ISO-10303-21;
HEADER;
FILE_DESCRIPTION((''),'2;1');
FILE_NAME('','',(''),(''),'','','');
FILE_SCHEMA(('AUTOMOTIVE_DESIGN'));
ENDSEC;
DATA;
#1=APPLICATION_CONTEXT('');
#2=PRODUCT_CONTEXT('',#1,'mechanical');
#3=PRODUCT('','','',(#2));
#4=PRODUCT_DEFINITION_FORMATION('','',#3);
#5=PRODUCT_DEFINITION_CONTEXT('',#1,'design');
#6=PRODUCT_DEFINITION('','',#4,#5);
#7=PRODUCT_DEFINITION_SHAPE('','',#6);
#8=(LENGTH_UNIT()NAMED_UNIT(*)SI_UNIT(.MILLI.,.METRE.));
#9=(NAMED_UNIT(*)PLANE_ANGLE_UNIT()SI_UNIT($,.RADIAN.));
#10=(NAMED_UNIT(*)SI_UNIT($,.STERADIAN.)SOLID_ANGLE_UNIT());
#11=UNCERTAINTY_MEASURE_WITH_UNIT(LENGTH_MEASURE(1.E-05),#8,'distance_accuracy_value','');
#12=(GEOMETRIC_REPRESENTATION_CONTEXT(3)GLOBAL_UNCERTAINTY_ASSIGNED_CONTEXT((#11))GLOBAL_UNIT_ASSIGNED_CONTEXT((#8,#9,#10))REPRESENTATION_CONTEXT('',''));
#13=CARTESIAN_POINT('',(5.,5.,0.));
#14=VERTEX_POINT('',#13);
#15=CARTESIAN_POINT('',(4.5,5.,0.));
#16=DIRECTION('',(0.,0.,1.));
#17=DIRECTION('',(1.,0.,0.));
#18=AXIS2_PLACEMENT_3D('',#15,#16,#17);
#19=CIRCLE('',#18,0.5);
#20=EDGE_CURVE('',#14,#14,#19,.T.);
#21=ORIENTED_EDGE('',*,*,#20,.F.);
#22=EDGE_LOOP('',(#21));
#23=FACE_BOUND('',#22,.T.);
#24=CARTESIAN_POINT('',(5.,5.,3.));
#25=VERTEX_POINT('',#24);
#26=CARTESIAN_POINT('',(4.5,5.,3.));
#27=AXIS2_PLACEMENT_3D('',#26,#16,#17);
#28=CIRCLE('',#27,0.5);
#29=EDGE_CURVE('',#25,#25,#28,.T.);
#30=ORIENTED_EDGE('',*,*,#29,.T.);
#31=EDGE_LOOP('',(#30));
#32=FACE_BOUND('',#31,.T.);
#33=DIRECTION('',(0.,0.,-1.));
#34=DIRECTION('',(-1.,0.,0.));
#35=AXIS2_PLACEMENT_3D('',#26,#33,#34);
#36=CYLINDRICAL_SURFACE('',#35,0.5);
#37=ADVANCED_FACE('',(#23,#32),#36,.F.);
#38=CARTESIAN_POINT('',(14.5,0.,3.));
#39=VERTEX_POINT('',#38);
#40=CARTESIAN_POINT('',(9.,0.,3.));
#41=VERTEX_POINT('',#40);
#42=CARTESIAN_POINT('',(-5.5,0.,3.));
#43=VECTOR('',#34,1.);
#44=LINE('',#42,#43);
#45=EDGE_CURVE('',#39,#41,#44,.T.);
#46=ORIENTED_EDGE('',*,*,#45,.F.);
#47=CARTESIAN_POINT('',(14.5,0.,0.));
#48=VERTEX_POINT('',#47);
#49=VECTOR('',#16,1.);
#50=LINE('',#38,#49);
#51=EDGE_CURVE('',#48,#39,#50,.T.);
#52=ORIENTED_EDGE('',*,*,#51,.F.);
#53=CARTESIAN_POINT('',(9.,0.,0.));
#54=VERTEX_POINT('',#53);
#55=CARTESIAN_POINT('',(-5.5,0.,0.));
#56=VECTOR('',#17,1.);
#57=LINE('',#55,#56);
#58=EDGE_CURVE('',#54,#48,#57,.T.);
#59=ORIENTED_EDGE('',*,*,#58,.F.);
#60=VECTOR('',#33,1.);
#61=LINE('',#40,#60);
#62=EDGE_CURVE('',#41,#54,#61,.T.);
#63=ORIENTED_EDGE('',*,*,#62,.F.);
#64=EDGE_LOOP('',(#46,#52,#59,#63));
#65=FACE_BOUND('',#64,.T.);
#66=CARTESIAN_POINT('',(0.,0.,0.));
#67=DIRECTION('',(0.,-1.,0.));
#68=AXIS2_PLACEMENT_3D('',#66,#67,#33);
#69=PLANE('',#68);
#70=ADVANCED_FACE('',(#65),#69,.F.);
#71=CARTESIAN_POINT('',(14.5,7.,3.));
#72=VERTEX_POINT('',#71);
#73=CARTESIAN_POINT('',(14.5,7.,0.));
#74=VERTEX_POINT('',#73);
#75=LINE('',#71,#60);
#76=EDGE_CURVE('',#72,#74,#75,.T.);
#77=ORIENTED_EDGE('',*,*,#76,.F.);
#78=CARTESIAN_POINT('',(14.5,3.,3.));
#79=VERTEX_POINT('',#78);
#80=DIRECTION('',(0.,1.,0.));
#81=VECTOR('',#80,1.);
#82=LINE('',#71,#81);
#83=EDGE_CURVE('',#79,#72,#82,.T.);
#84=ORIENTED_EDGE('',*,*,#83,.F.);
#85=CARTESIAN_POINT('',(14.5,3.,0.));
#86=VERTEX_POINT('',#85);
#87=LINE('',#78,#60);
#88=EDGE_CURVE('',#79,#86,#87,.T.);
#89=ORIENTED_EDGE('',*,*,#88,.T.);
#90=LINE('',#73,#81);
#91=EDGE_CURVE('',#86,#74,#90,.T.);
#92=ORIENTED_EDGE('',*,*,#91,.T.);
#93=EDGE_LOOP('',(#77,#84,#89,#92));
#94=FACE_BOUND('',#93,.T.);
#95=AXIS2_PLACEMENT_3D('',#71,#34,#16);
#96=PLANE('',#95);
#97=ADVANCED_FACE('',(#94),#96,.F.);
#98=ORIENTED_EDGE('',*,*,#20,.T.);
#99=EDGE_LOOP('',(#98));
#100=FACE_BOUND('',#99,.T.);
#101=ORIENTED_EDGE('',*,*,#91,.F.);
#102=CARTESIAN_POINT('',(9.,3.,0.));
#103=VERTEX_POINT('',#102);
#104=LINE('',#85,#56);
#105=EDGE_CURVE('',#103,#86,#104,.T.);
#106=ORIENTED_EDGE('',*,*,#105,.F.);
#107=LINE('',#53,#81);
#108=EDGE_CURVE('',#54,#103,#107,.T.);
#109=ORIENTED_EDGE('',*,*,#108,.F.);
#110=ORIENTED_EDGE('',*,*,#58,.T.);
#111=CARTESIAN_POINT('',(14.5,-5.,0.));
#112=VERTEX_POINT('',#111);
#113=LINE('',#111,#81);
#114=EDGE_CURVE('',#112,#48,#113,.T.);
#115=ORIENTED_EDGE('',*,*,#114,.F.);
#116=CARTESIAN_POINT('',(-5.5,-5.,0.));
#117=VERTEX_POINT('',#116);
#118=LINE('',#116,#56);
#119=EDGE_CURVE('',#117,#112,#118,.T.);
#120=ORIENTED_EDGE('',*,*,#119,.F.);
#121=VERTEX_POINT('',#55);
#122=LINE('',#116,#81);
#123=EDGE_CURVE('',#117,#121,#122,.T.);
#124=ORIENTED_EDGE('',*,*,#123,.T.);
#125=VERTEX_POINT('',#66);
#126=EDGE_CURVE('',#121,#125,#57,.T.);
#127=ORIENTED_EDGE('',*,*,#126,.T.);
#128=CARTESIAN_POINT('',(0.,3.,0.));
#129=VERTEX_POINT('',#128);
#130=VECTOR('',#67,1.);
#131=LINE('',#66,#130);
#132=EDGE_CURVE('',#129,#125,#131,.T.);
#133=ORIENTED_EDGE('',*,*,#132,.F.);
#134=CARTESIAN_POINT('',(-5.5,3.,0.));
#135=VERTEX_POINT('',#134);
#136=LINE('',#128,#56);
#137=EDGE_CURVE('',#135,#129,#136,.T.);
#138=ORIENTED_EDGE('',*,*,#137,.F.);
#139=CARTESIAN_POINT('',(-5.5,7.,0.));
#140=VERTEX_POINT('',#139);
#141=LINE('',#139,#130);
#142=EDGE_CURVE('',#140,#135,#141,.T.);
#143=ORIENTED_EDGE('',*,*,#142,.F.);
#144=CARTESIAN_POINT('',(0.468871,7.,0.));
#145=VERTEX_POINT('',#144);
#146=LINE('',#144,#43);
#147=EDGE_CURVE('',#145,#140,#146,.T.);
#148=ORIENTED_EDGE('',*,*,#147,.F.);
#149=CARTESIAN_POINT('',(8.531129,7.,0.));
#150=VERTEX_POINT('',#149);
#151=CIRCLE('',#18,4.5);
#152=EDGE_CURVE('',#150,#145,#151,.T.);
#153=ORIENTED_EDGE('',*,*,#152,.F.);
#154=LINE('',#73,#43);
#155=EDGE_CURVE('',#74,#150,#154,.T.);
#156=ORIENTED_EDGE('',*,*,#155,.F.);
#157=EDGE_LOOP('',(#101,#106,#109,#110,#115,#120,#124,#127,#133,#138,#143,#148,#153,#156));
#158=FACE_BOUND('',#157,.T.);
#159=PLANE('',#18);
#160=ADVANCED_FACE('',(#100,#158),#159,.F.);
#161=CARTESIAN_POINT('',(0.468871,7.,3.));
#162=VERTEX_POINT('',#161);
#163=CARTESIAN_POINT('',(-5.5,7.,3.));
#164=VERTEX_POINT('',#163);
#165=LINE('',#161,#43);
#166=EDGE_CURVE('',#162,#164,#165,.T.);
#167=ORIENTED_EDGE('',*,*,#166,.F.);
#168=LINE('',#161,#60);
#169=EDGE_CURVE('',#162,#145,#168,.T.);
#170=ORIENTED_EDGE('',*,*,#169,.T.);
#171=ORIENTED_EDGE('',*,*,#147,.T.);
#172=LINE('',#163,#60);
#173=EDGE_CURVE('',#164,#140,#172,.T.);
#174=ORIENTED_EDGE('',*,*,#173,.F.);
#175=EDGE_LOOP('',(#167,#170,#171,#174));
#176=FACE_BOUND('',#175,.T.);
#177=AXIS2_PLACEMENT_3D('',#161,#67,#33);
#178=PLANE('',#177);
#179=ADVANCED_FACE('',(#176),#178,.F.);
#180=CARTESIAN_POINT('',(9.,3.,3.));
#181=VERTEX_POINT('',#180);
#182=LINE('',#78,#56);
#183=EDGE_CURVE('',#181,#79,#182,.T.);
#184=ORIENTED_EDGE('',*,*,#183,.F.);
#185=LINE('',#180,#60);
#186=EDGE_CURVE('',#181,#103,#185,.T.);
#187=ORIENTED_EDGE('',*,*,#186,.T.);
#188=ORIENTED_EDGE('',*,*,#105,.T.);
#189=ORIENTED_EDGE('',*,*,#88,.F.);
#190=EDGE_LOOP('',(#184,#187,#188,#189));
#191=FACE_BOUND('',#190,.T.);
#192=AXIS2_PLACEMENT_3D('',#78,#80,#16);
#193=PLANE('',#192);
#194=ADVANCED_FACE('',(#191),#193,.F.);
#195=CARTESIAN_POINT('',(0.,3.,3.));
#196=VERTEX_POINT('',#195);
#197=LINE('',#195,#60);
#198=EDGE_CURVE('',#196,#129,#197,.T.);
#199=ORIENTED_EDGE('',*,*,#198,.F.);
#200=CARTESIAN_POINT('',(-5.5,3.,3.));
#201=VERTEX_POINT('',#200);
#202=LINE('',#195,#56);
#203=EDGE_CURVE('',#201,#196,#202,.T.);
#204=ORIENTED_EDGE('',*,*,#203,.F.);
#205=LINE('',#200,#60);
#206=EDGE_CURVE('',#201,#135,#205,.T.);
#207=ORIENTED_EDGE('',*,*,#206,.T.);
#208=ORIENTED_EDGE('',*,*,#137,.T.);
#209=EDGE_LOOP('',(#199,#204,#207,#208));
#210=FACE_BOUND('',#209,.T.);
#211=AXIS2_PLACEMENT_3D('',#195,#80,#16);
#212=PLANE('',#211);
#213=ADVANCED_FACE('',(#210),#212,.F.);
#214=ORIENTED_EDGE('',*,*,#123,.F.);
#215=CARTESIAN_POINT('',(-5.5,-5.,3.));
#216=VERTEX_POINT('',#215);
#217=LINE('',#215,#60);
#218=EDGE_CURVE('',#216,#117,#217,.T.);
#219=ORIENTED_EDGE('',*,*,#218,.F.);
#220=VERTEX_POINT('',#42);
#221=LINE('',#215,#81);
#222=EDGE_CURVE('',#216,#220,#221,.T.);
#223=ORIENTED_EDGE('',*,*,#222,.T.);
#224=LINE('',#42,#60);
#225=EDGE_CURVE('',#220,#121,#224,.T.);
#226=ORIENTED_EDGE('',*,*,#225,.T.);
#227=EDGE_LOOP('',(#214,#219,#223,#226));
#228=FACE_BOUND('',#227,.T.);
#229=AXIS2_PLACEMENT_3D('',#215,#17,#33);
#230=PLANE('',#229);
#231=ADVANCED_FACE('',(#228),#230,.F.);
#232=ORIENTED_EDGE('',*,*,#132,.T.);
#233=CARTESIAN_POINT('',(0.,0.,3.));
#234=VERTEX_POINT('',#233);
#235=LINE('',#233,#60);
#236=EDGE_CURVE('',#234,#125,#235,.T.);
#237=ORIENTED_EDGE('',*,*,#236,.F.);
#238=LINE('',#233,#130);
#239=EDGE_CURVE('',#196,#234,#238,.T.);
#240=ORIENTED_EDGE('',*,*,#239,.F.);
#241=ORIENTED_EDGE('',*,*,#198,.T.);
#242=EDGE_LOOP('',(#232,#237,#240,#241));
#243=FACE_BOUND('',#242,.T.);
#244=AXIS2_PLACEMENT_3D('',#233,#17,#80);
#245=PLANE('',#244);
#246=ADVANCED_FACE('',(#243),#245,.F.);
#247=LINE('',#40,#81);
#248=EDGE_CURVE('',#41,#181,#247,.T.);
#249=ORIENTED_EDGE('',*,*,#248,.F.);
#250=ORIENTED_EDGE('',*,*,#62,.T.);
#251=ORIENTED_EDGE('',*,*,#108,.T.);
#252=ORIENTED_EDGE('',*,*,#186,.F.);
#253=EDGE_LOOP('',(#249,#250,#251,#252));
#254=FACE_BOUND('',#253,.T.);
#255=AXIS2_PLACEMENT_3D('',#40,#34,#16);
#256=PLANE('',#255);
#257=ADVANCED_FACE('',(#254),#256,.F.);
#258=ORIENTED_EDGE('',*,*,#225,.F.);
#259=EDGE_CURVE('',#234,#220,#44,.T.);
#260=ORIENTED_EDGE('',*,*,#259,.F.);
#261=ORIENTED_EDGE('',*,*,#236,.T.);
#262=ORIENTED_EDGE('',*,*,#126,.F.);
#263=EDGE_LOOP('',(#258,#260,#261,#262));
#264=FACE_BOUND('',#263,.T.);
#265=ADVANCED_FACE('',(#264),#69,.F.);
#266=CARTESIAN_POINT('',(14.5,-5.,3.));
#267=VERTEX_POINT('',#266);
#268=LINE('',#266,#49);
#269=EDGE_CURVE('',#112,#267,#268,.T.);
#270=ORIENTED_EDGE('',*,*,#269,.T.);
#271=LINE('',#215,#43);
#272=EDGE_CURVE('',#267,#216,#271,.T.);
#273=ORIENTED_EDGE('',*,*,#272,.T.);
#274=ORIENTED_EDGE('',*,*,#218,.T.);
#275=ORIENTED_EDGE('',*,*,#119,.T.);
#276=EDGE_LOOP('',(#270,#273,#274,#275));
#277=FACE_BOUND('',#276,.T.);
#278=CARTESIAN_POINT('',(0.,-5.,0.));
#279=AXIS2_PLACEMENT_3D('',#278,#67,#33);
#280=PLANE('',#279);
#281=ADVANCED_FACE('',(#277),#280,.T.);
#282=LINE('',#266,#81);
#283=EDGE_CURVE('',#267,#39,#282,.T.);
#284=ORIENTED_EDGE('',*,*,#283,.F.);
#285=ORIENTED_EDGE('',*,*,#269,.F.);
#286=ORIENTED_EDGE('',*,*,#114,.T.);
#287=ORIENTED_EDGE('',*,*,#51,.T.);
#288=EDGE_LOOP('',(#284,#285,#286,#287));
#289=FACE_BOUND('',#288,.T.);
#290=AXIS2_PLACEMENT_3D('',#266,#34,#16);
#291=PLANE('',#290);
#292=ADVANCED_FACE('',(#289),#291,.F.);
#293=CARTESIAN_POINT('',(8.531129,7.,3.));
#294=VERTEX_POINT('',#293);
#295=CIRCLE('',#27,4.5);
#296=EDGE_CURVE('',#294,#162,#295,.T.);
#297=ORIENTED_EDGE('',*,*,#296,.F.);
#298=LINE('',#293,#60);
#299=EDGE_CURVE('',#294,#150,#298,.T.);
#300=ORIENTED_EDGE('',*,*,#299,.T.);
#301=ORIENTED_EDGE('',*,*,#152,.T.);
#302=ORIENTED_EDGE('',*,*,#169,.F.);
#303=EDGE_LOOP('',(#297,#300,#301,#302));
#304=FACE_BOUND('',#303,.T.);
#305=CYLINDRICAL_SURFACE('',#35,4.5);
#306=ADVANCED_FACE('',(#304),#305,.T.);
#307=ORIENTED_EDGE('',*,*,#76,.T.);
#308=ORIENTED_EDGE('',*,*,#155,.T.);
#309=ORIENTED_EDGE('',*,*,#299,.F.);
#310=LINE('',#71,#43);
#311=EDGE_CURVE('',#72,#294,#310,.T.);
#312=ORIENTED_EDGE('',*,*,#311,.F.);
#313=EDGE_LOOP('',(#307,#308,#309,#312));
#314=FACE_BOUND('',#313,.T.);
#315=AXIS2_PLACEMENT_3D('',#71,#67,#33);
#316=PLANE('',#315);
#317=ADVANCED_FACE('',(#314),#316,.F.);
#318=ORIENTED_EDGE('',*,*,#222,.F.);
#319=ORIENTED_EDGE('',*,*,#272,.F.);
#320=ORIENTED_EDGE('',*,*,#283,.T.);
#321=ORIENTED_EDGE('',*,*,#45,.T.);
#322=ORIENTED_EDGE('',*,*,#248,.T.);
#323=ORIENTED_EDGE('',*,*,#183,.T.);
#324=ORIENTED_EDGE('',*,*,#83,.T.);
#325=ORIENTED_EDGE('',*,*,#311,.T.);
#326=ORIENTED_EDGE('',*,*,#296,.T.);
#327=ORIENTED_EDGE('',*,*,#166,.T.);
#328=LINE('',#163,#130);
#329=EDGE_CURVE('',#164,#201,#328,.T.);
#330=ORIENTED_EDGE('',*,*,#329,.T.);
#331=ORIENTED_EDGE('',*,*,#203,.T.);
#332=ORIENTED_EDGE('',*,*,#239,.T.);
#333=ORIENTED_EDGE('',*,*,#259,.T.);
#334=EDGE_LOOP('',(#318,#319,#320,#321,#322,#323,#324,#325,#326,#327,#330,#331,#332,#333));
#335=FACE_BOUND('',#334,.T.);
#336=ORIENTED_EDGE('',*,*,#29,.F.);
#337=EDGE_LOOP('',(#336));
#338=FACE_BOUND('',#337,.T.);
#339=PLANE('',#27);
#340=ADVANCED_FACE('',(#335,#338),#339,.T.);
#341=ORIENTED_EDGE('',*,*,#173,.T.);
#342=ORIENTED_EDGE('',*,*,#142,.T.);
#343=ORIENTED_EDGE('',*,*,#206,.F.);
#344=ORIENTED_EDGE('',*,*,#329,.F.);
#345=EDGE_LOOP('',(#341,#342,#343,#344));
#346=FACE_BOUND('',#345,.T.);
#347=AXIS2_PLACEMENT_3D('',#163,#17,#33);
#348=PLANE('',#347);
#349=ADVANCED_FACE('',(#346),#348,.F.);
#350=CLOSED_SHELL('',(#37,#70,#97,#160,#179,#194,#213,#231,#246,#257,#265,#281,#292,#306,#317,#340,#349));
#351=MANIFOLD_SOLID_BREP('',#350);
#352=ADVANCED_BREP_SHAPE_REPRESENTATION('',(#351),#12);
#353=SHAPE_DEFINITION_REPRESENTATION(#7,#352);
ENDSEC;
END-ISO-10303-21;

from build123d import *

# Parameters (mm, degrees)
SKETCH1_R           = 0.5
BOSS_EXTRUDE1_DEPTH = 3
SKETCH2_W           = 20
SKETCH2_H           = 3
BOSS_EXTRUDE2_DEPTH = 5


with BuildPart() as part:
    # Sketch1 → Boss-Extrude1 (new body)
    with BuildSketch(Plane.XY):
        with BuildLine():
            Line((0.468871097, 6.999999884), (-5.5, 6.999999884))
            Line((-5.5, 6.999999884), (-5.5, 3))
            Line((-5.5, 3), (0, 3))
            Line((0, 3), (0, 0))
            Line((0, 0), (9, 0))
            Line((9, 0), (9, 3))
            Line((9, 3), (14.5, 3))
            Line((14.5, 3), (14.5, 6.999999884))
            Line((14.5, 6.999999884), (8.531128903, 6.999999884))
            ThreePointArc((8.531128903, 6.999999884), (4.5, 9.499999942), (0.468871097, 6.999999884))
        make_face()
        with Locations((4.5, 4.999999942)):
            Circle(SKETCH1_R, mode=Mode.SUBTRACT)
    extrude(amount=BOSS_EXTRUDE1_DEPTH)

    # Sketch2 → Boss-Extrude2 (add)
    with BuildSketch(Plane.XZ):
        with Locations((4.5, 1.5)):
            Rectangle(SKETCH2_W, SKETCH2_H)
    extrude(amount=BOSS_EXTRUDE2_DEPTH)


solid = part.part
